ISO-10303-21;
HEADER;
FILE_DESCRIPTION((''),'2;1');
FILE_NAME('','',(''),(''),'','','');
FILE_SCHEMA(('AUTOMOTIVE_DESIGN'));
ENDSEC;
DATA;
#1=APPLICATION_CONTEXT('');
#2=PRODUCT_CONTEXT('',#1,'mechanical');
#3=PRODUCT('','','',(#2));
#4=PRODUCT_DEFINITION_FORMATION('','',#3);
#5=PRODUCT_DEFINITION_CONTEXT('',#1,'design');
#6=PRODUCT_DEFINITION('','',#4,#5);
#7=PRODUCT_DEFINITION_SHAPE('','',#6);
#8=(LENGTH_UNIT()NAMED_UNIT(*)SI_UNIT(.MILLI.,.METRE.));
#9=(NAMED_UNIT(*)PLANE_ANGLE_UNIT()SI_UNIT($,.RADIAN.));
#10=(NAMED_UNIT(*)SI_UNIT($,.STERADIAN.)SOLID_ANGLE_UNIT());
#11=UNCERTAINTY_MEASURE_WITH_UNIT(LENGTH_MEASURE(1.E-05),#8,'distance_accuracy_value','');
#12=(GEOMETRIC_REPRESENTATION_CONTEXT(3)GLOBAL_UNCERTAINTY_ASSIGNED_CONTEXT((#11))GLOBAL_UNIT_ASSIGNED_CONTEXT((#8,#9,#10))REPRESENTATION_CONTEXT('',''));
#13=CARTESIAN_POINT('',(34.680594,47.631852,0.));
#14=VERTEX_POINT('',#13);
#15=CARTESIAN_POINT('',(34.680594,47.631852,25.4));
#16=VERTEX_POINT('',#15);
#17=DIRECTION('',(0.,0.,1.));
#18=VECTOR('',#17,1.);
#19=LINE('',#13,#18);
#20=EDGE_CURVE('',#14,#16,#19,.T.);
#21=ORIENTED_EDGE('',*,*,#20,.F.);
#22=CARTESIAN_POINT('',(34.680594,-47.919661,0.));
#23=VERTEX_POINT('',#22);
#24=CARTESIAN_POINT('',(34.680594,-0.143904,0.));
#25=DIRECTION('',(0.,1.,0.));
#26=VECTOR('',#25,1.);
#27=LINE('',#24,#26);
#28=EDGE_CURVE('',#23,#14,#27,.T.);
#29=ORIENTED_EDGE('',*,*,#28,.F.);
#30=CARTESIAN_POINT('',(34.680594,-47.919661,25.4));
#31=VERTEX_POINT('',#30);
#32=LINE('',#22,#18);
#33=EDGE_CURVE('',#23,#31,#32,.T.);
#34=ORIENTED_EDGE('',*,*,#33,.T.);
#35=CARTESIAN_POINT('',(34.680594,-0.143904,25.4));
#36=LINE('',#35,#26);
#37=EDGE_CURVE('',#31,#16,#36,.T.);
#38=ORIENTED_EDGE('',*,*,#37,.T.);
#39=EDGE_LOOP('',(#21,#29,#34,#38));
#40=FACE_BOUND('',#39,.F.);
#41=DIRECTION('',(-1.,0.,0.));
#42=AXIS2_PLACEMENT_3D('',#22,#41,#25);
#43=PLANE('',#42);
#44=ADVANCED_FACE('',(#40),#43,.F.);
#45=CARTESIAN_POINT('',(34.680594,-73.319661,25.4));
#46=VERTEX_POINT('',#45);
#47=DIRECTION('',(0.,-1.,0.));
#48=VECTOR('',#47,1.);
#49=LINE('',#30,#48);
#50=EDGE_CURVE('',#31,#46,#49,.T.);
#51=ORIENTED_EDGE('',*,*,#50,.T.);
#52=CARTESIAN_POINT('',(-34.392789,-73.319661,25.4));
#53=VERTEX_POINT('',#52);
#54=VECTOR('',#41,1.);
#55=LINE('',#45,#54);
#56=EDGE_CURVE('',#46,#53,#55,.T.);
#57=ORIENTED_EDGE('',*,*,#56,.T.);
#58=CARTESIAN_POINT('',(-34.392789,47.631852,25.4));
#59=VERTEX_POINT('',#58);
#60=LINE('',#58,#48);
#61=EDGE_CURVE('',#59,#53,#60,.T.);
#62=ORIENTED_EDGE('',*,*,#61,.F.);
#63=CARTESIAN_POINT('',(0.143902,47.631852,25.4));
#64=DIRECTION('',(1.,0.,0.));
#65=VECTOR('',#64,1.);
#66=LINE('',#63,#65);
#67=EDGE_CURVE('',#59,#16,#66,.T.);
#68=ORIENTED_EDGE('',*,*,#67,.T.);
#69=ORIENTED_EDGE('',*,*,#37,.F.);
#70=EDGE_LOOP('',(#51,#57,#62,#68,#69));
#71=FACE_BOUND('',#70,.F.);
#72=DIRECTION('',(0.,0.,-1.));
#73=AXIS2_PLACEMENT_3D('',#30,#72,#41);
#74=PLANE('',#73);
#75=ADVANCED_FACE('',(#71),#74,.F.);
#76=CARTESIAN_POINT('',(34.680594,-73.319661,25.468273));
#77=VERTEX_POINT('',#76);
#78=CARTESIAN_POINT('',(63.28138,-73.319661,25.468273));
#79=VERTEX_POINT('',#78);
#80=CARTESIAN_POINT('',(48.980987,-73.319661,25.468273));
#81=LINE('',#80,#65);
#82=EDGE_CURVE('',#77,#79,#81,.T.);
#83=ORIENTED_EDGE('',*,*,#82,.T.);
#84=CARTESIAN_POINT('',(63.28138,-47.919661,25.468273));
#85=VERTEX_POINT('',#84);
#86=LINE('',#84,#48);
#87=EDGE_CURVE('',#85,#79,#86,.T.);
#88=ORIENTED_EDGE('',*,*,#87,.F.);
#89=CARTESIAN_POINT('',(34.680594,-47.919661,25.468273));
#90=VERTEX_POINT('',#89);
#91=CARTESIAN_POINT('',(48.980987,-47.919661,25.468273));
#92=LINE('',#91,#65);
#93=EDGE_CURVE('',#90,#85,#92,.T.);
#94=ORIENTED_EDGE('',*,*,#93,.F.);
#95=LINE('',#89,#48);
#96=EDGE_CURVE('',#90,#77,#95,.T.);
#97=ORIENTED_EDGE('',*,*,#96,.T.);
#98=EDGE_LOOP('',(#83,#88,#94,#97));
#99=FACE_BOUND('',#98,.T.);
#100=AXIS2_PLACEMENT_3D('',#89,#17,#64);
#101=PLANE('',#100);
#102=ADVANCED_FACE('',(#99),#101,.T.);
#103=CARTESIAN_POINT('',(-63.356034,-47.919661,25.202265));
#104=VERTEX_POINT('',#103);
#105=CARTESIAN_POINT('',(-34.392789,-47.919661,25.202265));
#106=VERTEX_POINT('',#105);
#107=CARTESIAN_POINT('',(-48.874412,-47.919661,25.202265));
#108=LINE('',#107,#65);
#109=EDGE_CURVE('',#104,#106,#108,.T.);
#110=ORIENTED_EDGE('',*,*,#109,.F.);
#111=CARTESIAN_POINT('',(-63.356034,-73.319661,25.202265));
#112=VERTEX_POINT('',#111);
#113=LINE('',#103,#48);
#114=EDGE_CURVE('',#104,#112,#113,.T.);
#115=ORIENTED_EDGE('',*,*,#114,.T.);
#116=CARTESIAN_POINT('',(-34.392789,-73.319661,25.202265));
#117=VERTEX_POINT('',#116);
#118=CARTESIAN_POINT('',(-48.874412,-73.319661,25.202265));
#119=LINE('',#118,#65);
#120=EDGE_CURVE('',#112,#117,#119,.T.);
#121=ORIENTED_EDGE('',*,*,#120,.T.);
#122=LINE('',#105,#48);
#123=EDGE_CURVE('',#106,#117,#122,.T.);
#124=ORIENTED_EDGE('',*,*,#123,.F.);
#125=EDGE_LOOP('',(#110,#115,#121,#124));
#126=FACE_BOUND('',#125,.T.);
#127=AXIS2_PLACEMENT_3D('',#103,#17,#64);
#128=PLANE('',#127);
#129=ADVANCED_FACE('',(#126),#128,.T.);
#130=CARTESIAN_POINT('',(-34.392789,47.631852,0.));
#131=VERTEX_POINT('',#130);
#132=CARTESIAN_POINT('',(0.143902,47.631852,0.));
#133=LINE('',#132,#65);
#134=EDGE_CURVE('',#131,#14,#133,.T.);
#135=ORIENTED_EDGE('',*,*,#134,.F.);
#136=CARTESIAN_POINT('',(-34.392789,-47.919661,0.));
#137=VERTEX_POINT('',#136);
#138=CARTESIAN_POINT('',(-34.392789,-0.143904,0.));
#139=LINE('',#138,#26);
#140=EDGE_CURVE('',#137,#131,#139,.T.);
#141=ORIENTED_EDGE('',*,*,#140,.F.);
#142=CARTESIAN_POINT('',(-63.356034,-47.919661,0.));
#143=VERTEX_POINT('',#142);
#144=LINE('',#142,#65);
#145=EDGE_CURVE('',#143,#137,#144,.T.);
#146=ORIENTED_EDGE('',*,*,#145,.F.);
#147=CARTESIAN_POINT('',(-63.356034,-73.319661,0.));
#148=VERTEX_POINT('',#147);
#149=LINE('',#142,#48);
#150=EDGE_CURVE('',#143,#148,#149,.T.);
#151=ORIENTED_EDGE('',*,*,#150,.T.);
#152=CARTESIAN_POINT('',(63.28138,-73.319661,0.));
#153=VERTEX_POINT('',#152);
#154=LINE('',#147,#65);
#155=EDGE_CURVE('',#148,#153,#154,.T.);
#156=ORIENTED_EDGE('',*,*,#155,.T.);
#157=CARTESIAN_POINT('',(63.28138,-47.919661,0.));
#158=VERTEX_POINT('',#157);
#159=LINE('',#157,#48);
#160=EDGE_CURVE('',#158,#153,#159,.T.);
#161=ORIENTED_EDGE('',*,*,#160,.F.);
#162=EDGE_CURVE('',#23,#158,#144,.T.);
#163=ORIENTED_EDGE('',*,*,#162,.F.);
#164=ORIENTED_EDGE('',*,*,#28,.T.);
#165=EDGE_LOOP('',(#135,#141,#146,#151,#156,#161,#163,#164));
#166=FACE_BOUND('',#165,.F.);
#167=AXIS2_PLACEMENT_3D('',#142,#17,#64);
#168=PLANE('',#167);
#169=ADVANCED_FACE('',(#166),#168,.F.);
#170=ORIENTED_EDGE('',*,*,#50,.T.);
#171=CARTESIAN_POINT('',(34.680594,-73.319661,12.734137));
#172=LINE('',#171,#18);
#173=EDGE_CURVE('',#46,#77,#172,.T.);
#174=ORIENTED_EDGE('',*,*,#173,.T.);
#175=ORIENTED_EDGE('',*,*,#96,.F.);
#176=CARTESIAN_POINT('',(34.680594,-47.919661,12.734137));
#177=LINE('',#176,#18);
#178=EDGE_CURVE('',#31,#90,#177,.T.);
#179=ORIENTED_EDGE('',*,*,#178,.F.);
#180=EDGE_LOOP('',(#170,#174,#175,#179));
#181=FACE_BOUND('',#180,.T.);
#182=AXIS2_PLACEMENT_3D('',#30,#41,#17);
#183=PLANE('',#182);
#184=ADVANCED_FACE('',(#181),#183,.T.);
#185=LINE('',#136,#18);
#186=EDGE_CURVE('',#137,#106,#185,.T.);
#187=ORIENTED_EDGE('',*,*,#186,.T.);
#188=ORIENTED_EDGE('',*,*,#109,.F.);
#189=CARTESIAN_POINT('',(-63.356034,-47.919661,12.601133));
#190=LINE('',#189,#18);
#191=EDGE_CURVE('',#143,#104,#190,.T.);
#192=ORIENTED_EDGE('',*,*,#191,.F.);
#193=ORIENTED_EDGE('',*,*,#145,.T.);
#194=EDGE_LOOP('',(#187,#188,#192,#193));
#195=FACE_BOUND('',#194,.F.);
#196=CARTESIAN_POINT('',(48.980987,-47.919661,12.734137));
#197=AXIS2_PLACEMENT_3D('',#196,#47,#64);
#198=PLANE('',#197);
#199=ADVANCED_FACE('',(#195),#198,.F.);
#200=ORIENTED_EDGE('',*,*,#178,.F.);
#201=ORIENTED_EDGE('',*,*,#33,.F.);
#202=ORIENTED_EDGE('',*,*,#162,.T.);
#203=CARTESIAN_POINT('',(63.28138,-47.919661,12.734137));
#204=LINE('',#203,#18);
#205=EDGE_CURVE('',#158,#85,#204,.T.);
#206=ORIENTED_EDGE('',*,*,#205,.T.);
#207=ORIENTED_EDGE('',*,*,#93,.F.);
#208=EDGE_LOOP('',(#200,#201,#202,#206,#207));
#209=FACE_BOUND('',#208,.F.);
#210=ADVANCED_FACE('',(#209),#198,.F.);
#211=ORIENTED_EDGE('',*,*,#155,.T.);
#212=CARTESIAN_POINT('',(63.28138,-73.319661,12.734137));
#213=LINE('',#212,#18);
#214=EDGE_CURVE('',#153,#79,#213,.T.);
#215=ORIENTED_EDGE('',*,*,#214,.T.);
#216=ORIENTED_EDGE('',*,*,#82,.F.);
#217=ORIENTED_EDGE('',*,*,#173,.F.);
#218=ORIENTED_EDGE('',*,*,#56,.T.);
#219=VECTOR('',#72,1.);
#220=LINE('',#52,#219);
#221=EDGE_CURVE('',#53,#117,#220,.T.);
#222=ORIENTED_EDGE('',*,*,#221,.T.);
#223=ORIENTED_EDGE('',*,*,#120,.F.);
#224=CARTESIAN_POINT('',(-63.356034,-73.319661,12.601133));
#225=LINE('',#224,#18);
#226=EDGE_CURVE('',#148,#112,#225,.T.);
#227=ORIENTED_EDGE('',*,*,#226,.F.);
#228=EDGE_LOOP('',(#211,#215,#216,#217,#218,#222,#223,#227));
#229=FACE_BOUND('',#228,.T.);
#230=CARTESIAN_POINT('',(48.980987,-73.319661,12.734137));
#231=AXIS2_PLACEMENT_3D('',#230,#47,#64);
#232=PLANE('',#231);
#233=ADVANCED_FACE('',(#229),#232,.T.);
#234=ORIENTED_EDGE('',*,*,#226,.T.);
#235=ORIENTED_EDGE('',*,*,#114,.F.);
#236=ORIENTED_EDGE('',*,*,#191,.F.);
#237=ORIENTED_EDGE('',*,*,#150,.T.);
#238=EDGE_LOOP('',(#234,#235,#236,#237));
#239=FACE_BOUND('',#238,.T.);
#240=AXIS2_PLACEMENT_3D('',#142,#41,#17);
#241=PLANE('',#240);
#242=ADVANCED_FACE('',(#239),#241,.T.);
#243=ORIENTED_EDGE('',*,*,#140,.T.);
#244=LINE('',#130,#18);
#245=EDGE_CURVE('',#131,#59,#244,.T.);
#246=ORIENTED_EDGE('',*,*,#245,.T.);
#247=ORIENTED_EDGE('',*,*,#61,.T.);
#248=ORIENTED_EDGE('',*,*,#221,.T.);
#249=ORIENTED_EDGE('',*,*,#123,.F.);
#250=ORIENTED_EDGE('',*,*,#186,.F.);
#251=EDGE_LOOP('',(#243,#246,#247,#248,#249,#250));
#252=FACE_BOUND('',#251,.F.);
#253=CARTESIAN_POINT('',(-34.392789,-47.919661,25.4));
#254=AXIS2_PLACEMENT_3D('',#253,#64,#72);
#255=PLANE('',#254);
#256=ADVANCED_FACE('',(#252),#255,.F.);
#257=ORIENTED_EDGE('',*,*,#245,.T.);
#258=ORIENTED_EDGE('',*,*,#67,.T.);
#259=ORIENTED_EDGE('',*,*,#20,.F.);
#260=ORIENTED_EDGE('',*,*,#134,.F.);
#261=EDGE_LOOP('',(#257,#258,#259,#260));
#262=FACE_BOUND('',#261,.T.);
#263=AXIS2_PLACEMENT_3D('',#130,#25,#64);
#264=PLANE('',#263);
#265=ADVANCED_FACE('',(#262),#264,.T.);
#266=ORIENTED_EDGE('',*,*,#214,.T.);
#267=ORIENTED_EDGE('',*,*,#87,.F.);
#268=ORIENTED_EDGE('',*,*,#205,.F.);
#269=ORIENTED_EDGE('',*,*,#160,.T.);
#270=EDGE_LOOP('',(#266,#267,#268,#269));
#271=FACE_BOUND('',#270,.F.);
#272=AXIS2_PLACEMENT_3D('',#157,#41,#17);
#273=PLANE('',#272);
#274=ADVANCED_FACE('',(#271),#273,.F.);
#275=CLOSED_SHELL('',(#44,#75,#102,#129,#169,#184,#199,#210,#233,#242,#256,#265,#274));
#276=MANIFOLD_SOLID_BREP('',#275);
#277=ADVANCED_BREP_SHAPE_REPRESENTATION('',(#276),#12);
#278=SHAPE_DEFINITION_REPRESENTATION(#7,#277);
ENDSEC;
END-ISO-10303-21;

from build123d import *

# Parameters (mm, degrees)
F0_W     = 69.0733827651
F0_H     = 95.5515131354
F1_DEPTH = 25.4
F2_W     = 28.6007858813
F2_H     = 25.4682730883
F2_W_2   = 28.9632454515
F2_H_2   = 25.2022650093
F3_DEPTH = 25.4


with BuildPart() as f1:
    # F0 (on Top) → F1 (new body)
    with BuildSketch(Plane.XY):
        with Locations((0.1439023763, -0.1439042389)):
            Rectangle(F0_W, F0_H)
    extrude(amount=F1_DEPTH)

    # F2 (on face) → F3 (join)
    with BuildSketch(Plane.XZ.offset(47.9196608067)):
        with Locations((48.9809866995, 12.7341365442)):
            Rectangle(F2_W, F2_H)
        with Locations((-48.874411732, 12.6011325046)):
            Rectangle(F2_W_2, F2_H_2)
        Polygon((-34.3927890062, 0), (34.6805937588, 0), (34.6805937588, 25.4), (-34.3927890062, 25.4), (-34.3927890062, 25.2022650093), align=None)
    extrude(amount=F3_DEPTH)


solid = f1.part
